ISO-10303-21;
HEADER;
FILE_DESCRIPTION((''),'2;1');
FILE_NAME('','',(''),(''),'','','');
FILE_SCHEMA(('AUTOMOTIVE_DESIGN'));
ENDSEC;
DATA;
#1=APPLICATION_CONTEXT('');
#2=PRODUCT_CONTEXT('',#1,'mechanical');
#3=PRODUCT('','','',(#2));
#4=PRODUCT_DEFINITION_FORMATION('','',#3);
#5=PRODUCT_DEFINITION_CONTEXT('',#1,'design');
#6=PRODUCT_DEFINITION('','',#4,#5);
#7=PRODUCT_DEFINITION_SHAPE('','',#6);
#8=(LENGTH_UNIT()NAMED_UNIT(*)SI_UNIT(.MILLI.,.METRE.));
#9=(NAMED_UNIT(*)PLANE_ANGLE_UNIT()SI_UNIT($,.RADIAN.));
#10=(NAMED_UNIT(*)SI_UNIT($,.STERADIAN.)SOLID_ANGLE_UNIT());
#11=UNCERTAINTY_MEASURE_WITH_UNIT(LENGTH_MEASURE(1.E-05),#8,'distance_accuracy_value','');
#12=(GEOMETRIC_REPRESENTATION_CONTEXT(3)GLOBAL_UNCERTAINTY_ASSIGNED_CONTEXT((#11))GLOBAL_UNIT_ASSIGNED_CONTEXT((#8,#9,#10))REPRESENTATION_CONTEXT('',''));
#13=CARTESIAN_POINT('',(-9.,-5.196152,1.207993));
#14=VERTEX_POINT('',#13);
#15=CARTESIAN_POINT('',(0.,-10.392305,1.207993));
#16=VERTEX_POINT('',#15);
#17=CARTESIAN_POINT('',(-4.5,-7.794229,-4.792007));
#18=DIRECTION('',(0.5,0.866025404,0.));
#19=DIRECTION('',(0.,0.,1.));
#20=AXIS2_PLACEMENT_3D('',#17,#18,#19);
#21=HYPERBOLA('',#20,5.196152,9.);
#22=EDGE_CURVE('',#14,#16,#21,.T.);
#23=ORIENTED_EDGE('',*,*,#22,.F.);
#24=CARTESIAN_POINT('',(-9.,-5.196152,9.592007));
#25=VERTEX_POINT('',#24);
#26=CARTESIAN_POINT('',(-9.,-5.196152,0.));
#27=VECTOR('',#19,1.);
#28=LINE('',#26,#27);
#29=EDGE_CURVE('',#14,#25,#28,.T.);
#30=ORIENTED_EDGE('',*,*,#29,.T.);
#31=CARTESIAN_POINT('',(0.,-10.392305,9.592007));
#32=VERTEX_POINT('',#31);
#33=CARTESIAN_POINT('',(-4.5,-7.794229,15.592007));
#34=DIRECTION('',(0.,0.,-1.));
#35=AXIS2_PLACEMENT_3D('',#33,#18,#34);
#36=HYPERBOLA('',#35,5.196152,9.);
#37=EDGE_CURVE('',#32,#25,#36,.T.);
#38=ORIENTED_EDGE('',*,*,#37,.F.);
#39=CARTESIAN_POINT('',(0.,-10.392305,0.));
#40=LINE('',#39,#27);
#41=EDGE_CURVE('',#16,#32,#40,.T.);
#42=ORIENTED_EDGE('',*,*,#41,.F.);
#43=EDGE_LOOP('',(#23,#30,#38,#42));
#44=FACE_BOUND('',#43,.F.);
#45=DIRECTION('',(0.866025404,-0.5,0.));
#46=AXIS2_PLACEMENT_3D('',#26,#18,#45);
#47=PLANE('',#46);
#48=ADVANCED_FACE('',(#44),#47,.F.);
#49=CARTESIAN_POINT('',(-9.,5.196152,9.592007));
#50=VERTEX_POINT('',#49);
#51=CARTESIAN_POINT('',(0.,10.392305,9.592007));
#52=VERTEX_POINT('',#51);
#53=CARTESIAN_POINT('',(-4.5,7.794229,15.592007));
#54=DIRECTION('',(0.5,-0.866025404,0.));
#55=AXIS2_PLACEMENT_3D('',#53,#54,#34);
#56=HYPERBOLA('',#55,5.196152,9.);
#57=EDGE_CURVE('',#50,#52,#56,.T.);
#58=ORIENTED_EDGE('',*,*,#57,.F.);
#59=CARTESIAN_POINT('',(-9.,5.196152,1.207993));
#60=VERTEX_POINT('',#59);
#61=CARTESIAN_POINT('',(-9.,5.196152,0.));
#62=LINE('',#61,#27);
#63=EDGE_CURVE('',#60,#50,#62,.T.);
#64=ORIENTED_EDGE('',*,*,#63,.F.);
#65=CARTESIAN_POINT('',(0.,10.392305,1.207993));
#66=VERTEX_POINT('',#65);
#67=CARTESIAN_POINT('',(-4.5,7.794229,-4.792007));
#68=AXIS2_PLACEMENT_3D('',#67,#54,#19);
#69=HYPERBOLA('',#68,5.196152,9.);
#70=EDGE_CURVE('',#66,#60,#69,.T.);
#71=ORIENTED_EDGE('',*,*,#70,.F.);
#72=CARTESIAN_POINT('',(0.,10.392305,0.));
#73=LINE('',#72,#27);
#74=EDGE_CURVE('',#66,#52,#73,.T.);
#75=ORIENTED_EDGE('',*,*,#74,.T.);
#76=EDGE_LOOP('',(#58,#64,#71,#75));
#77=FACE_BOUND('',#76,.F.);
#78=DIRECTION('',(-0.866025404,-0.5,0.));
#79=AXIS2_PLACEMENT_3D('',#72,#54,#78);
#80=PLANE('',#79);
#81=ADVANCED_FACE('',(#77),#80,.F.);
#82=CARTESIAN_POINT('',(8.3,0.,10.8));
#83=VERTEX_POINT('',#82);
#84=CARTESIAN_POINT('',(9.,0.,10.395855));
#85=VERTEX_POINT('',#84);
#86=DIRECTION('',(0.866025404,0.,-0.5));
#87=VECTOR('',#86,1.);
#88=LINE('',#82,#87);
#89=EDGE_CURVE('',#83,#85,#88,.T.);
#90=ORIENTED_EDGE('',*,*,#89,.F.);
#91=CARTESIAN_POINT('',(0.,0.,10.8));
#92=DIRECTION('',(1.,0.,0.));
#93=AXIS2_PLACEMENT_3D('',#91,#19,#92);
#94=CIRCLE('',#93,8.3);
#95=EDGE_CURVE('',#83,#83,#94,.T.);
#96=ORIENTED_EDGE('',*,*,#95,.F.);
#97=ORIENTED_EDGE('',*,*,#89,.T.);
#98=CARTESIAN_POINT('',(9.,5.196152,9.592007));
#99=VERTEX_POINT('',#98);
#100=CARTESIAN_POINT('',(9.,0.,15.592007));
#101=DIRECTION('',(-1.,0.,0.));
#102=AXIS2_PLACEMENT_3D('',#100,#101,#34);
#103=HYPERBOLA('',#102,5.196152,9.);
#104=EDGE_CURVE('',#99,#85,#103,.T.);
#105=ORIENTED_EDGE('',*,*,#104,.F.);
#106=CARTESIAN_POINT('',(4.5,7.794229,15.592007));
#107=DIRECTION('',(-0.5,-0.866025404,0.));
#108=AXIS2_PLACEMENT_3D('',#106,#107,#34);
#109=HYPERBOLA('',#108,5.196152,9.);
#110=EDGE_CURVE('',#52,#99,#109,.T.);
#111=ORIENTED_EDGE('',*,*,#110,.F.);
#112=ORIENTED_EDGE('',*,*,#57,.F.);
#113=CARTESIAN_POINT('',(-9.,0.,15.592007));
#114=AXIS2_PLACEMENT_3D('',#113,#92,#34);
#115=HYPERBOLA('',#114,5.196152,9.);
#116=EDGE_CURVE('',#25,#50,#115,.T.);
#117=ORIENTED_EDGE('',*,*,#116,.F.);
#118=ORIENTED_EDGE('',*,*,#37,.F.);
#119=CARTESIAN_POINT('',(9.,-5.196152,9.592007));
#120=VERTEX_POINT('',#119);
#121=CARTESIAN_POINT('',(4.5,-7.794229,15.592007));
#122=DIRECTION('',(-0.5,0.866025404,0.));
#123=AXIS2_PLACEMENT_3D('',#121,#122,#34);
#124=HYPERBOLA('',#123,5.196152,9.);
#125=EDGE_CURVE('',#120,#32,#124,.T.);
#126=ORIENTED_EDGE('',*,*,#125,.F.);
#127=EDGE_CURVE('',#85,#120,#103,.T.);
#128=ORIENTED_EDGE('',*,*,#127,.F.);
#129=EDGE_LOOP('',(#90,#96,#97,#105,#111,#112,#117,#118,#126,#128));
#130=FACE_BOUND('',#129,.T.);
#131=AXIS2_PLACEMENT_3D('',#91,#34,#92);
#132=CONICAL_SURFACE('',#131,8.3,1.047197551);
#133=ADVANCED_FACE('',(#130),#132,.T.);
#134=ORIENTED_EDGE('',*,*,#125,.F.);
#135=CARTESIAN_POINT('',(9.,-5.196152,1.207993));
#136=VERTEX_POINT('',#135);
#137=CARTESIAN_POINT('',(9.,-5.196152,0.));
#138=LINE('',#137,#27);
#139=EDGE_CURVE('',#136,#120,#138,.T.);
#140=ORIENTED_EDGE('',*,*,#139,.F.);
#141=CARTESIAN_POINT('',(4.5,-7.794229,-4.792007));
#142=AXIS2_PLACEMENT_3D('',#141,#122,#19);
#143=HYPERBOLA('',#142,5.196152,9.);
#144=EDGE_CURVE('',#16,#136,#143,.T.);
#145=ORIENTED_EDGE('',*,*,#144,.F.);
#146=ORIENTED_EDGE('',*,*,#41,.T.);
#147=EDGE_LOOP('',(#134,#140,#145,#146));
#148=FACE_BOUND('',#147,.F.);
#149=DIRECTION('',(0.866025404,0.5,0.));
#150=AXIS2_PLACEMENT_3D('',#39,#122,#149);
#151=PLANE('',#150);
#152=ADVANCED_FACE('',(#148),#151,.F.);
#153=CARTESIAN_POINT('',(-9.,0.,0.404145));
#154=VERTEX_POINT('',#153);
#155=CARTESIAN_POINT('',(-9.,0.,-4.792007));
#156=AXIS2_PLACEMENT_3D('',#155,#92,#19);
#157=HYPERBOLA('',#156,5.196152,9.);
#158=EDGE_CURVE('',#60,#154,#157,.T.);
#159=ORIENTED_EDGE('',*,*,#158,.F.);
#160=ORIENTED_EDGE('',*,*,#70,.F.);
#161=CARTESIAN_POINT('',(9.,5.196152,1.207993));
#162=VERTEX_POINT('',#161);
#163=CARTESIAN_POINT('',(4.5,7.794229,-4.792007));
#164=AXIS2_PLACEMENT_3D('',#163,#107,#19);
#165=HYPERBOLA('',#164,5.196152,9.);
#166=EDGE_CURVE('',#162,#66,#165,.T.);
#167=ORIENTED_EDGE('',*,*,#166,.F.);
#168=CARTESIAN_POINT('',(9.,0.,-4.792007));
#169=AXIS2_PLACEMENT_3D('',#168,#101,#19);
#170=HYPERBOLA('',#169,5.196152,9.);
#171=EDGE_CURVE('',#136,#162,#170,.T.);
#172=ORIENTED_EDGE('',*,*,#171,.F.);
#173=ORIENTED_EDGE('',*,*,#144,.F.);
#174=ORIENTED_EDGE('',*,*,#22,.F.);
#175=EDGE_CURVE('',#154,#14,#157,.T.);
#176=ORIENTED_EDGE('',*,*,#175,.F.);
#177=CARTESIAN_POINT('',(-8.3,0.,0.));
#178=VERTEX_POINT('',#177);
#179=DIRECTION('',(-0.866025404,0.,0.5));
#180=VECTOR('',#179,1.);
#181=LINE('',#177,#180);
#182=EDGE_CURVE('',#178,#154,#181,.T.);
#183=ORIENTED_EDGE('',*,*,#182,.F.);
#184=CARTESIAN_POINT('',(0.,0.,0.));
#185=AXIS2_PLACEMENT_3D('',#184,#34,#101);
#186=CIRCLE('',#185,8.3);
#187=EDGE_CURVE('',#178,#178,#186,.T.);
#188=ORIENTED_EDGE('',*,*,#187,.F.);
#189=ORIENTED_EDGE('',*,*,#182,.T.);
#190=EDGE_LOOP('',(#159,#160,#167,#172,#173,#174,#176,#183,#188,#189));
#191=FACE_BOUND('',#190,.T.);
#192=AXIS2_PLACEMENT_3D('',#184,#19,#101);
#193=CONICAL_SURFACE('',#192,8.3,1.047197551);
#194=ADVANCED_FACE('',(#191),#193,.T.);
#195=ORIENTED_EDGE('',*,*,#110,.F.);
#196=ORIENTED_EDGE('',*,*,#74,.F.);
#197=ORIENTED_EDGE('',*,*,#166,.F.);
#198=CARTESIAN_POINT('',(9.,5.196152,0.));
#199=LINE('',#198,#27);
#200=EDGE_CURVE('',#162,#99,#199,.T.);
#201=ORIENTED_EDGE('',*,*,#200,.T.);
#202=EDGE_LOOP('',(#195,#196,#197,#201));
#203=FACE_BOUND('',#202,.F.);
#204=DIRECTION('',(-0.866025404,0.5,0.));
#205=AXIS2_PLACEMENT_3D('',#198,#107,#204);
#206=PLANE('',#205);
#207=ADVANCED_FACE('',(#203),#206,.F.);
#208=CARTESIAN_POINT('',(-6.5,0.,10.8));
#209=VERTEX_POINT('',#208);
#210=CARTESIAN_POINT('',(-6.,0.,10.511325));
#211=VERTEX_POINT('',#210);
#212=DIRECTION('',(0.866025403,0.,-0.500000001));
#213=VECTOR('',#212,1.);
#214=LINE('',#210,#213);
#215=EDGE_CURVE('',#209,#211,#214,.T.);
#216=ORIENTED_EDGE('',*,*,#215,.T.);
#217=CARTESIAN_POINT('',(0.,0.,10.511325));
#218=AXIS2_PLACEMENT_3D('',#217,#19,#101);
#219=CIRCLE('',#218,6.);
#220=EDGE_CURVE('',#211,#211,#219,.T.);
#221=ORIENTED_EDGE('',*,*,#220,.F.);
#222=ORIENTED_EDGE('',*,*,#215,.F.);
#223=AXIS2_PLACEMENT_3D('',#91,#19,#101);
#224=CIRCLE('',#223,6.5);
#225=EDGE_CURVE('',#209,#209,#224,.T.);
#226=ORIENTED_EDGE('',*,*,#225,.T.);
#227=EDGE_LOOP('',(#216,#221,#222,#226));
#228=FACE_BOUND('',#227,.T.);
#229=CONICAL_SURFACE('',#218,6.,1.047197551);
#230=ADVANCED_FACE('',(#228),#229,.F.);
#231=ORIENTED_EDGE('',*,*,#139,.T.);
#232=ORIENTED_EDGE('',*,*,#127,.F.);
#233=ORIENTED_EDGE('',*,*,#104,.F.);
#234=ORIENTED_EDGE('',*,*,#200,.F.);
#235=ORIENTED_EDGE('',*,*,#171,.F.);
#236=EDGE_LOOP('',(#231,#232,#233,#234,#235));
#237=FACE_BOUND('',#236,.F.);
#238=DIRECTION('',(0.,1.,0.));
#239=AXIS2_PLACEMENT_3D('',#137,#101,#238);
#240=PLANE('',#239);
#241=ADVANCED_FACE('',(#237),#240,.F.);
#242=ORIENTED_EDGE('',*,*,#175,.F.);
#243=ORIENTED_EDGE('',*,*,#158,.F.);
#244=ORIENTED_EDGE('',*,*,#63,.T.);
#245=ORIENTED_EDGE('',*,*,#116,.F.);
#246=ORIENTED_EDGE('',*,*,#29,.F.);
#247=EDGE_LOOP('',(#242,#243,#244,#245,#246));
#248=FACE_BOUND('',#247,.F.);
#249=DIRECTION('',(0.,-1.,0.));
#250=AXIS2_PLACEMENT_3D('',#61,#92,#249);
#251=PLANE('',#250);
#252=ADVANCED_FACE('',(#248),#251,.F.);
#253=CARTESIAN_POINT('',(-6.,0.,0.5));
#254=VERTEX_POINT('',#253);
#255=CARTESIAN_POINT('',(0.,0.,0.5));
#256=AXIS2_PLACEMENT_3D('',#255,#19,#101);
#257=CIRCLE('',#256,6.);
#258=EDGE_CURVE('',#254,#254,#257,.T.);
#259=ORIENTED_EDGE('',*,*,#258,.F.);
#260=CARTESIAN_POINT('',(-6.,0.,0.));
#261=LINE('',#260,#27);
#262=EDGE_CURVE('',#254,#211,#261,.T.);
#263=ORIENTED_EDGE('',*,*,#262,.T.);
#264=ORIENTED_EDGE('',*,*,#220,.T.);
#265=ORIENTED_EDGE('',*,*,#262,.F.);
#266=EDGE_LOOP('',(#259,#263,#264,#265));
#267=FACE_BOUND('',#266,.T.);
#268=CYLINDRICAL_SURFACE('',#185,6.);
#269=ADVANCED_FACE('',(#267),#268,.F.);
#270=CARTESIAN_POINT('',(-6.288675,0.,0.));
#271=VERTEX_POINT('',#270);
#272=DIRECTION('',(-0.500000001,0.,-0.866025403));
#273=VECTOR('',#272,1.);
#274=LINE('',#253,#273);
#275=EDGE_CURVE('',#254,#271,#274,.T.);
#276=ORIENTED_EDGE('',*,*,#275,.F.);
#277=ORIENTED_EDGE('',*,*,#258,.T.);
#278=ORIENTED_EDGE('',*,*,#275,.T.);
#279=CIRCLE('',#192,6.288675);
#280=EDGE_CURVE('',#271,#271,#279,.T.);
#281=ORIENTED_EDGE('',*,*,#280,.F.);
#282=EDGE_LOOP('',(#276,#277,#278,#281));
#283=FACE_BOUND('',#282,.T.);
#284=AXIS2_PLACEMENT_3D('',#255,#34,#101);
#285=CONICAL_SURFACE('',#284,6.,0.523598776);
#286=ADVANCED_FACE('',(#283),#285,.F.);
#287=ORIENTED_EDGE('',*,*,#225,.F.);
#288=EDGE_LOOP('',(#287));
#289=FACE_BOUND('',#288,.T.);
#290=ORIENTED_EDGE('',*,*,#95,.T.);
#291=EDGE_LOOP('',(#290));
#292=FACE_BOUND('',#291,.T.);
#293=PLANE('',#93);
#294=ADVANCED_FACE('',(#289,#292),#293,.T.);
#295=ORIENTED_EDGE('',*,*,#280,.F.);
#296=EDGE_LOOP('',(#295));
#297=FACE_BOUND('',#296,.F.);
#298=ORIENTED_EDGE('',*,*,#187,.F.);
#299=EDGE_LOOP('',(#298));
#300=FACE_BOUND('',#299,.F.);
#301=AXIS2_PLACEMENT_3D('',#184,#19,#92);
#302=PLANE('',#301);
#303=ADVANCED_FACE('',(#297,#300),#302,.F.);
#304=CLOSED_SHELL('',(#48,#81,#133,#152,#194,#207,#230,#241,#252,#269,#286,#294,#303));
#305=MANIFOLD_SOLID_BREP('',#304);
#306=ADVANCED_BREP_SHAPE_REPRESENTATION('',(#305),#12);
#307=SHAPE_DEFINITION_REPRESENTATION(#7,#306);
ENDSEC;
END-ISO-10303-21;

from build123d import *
from OCP.BRepFilletAPI import BRepFilletAPI_MakeChamfer

# Parameters (mm, degrees)
SZKIC1_R                    = 6
DODANIE_WYCI_GNI_CIE1_DEPTH = 10.8
SZKIC2_OUTSIDE_W            = 89.934
SZKIC2_OUTSIDE_H            = 92.718
SZKIC2_OUTSIDE_R            = 8.3
WYTNIJ_WYCI_GNI_CIE1_DEPTH  = 18.482562741
WYTNIJ_WYCI_GNI_CIE1_DRAFT  = -60
SZKIC3_OUTSIDE_W            = 89.934
SZKIC3_OUTSIDE_H            = 92.718
SZKIC3_OUTSIDE_R            = 8.3
WYTNIJ_WYCI_GNI_CIE3_DEPTH  = 18.482562741
WYTNIJ_WYCI_GNI_CIE3_DRAFT  = -60
SFAZOWANIE2_SIZE            = 0.5
SFAZOWANIE2_SIZE2           = 0.288675135


with BuildPart() as part:
    # Szkic1 → Dodanie-wyciągnięcie1 (new body)
    with BuildSketch(Plane.XY):
        Polygon((0, 10.392304845), (-9, 5.196152423), (-9, -5.196152423), (0, -10.392304845), (9, -5.196152423), (9, 5.196152423), align=None)
        with Locations(Location((0, 0, 0), (0, 0, 180))):
            Circle(SZKIC1_R, mode=Mode.SUBTRACT)
    extrude(amount=DODANIE_WYCI_GNI_CIE1_DEPTH)


with BuildPart() as wytnij_wyci_gni_cie1_tool:
    # Szkic2 outside → Wytnij-wyciągnięcie1 (with draft: the straight prism first)
    with BuildSketch(Plane.XY.offset(10.8)):
        Rectangle(SZKIC2_OUTSIDE_W, SZKIC2_OUTSIDE_H)
        Circle(SZKIC2_OUTSIDE_R, mode=Mode.SUBTRACT)
    extrude(amount=-WYTNIJ_WYCI_GNI_CIE1_DEPTH)
    # Wytnij-wyciągnięcie1: the draft: its side faces are tilted about the plane it starts from
    wytnij_wyci_gni_cie1_sides = [wytnij_wyci_gni_cie1_tool.faces().sort_by_distance(p)[0] for p in [
        (0, -46.359, 1.558718629),
        (44.967, 0, 1.558718629),
        (0, 46.359, 1.558718629),
        (-44.967, 0, 1.558718629),
        (-8.3, 0, 1.558718629),
    ]]
    draft(wytnij_wyci_gni_cie1_sides, Plane.XY.offset(10.8), WYTNIJ_WYCI_GNI_CIE1_DRAFT)


with BuildPart() as part_1:
    add(part.part)

    # Wytnij-wyciągnięcie1: cut by wytnij_wyci_gni_cie1_tool
    add(wytnij_wyci_gni_cie1_tool.part, mode=Mode.SUBTRACT)


with BuildPart() as wytnij_wyci_gni_cie3_tool:
    # Szkic3 outside → Wytnij-wyciągnięcie3 (with draft: the straight prism first)
    with BuildSketch(Plane(origin=(0, 0, 0), x_dir=(-1, 0, 0), z_dir=(0, 0, -1))):
        Rectangle(SZKIC3_OUTSIDE_W, SZKIC3_OUTSIDE_H)
        Circle(SZKIC3_OUTSIDE_R, mode=Mode.SUBTRACT)
    extrude(amount=-WYTNIJ_WYCI_GNI_CIE3_DEPTH)
    # Wytnij-wyciągnięcie3: the draft: its side faces are tilted about the plane it starts from
    wytnij_wyci_gni_cie3_sides = [wytnij_wyci_gni_cie3_tool.faces().sort_by_distance(p)[0] for p in [
        (0, -46.359, 9.241281371),
        (-44.967, 0, 9.241281371),
        (0, 46.359, 9.241281371),
        (44.967, 0, 9.241281371),
        (8.3, 0, 9.241281371),
    ]]
    draft(wytnij_wyci_gni_cie3_sides, Plane(origin=(0, 0, 0), x_dir=(-1, 0, 0), z_dir=(0, 0, -1)), WYTNIJ_WYCI_GNI_CIE3_DRAFT)


with BuildPart() as part_2:
    add(part_1.part)

    # Wytnij-wyciągnięcie3: cut by wytnij_wyci_gni_cie3_tool
    add(wytnij_wyci_gni_cie3_tool.part, mode=Mode.SUBTRACT)

    # Sfazowanie2: one chamfer whose edges measure the first distance from different faces: ONE call of the kernel's chamfer builder (chamfer() names one face for all edges)
    sfazowanie2_edges_1 = [part_2.edges().sort_by_distance(p)[0] for p in [
        (6, 0, 0),
    ]]
    sfazowanie2_side_1 = [part_2.faces().sort_by_distance(p)[0] for p in [
        (6, 0, 5.4),
    ]]
    sfazowanie2_edges_2 = [part_2.edges().sort_by_distance(p)[0] for p in [
        (6, 0, 10.8),
    ]]
    sfazowanie2_side_2 = [part_2.faces().sort_by_distance(p)[0] for p in [
        (-8.065240549, 0, 10.8),
    ]]
    sfazowanie2 = BRepFilletAPI_MakeChamfer(part_2.part.solid().wrapped)
    for e in sfazowanie2_edges_1:
        sfazowanie2.Add(SFAZOWANIE2_SIZE, SFAZOWANIE2_SIZE2, e.wrapped, sfazowanie2_side_1[0].wrapped)  # the first distance lies on this face
    for e in sfazowanie2_edges_2:
        sfazowanie2.Add(SFAZOWANIE2_SIZE, SFAZOWANIE2_SIZE2, e.wrapped, sfazowanie2_side_2[0].wrapped)  # the first distance lies on this face
    add(Compound.cast(sfazowanie2.Shape()), mode=Mode.REPLACE)


solid = part_2.part
